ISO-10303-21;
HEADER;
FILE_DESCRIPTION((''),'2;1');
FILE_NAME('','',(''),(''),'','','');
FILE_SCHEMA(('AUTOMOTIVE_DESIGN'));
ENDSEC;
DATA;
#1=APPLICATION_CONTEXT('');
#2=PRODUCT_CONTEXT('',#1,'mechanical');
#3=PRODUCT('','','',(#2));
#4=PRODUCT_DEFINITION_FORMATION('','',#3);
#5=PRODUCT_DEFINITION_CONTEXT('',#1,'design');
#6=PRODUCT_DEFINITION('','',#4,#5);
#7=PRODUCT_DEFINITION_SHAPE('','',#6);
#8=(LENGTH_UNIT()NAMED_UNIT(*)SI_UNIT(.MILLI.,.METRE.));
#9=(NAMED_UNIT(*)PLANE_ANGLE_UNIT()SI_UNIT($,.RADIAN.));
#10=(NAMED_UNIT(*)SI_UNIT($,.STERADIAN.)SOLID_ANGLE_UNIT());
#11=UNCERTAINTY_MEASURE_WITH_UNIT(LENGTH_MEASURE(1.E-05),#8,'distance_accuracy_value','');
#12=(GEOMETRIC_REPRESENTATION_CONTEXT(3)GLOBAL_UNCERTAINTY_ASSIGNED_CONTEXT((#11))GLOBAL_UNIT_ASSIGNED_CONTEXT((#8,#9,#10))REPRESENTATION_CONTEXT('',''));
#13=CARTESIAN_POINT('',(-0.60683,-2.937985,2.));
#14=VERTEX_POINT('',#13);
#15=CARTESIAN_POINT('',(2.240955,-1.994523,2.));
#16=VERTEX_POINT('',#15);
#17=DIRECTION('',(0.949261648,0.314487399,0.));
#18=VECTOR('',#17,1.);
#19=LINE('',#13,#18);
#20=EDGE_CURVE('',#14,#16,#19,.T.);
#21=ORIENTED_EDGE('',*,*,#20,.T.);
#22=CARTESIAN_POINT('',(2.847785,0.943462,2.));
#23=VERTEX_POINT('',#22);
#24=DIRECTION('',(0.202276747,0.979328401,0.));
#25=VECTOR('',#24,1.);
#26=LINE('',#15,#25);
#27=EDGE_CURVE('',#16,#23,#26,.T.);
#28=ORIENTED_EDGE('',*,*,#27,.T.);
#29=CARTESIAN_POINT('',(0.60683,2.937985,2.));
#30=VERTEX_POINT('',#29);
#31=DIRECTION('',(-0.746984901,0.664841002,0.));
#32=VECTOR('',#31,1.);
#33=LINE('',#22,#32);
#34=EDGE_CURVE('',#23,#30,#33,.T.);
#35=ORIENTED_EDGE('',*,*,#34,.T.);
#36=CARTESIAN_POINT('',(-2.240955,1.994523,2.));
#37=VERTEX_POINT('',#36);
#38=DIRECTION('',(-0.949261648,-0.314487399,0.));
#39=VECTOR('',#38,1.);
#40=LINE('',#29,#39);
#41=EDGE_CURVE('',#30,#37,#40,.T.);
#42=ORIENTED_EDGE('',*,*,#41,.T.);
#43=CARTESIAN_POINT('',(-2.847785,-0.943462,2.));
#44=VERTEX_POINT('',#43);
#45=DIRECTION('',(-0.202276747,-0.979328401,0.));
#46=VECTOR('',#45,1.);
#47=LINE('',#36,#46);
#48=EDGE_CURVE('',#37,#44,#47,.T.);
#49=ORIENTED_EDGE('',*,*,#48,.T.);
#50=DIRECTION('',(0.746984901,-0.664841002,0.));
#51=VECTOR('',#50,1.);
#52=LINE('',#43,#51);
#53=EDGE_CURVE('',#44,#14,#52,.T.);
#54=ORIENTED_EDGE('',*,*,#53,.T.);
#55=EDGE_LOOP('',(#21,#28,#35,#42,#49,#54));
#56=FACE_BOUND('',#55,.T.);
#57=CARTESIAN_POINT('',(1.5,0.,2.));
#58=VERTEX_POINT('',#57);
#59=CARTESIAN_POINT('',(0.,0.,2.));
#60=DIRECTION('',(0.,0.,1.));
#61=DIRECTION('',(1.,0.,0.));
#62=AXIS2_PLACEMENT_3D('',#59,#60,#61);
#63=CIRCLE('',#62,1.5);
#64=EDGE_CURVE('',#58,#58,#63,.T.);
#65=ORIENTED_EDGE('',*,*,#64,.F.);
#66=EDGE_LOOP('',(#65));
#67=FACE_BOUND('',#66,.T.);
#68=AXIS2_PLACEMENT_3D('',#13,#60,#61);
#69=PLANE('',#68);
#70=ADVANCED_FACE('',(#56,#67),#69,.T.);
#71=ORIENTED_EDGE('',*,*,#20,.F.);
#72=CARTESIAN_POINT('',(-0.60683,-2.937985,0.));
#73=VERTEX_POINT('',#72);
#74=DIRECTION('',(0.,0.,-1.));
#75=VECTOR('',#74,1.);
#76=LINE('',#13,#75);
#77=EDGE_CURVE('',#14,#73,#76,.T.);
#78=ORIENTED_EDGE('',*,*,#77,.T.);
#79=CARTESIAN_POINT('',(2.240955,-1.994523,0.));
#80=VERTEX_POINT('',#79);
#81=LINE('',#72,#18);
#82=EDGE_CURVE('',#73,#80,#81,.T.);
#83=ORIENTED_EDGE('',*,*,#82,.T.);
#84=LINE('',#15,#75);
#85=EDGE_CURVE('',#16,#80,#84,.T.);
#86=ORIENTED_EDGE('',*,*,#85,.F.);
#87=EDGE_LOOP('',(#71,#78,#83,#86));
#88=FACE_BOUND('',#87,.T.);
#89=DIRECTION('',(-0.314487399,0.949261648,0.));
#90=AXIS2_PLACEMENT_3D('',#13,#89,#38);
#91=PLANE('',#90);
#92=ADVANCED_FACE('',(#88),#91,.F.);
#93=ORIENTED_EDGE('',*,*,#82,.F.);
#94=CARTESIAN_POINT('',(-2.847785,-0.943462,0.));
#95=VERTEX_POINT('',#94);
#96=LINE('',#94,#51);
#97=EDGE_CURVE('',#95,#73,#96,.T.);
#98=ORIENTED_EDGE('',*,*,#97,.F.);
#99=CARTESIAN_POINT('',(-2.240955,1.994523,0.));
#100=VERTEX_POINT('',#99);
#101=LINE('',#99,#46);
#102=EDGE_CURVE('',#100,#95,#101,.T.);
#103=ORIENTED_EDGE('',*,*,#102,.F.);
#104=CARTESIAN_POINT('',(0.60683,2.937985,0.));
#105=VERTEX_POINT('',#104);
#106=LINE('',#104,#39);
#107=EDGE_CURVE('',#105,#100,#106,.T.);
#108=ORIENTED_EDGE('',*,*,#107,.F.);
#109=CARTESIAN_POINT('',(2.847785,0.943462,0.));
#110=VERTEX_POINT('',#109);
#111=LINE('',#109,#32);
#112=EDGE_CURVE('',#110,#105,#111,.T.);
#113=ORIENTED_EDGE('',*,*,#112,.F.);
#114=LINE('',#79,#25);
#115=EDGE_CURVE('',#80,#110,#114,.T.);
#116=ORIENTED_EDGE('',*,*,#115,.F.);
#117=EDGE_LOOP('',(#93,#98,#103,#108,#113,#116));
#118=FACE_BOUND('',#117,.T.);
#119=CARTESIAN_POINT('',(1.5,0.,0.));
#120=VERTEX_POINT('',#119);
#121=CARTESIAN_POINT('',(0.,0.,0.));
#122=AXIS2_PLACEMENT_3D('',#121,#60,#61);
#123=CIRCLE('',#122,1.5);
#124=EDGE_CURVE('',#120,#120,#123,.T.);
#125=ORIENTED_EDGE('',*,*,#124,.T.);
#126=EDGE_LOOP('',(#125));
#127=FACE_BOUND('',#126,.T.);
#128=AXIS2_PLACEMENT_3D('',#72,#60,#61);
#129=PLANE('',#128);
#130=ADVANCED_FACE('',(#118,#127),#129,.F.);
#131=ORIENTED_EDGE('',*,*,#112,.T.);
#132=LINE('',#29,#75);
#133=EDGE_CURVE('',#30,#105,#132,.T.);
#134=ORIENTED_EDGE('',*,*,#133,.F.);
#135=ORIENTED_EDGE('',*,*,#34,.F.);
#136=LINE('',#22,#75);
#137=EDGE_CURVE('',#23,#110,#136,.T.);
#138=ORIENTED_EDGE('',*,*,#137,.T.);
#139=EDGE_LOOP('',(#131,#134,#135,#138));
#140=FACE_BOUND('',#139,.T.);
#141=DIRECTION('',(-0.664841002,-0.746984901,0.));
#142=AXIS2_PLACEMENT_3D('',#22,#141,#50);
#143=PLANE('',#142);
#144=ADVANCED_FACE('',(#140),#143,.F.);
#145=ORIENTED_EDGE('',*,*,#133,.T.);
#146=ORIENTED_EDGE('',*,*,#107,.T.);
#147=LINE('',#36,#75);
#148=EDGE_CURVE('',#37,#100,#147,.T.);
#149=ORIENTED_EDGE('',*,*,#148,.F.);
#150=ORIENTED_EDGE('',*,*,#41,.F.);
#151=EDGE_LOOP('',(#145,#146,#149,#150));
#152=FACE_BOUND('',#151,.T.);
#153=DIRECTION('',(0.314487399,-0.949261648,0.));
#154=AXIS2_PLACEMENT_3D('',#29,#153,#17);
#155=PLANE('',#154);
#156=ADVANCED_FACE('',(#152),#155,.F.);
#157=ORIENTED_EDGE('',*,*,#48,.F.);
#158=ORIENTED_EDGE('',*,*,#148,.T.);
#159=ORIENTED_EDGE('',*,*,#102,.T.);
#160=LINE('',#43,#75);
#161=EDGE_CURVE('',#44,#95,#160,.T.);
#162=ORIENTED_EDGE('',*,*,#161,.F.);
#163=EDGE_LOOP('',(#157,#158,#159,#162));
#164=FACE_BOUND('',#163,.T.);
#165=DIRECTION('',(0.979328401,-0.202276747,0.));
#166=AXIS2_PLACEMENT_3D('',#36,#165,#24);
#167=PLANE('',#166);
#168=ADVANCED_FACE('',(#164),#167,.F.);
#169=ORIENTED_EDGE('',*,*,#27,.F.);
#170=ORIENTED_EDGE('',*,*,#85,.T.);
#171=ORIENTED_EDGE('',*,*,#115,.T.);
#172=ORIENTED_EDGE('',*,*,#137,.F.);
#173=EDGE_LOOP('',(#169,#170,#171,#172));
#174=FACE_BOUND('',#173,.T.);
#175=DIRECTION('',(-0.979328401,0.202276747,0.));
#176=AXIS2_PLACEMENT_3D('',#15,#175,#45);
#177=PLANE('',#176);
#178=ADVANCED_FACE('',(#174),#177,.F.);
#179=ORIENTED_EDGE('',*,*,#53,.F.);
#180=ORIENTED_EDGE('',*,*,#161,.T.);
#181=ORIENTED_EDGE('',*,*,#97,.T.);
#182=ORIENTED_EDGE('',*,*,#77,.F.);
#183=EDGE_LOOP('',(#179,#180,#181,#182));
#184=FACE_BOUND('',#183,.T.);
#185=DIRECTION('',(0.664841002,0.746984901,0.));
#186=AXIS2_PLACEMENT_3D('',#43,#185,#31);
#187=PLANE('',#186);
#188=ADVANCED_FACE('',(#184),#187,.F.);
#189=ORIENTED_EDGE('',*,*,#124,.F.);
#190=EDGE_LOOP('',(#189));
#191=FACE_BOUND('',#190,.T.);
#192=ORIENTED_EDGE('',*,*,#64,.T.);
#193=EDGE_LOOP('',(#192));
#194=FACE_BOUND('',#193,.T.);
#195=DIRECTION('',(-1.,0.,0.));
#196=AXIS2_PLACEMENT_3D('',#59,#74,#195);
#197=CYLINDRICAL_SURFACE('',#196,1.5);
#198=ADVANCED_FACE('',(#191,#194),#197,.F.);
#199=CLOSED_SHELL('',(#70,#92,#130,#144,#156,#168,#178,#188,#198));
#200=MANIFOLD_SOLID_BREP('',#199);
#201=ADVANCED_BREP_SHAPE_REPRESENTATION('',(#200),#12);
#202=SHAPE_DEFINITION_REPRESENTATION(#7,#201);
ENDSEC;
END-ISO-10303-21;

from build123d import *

# Parameters (mm, degrees)
SKETCH1_R      = 1.5
EXTRUDE2_DEPTH = 2


with BuildPart() as part:
    # Sketch1 → Extrude2 (new body)
    with BuildSketch(Plane.XY):
        Polygon((-0.606830241, -2.937985204), (2.240954702, -1.994523006), (2.847784943, 0.943462198), (0.606830241, 2.937985204), (-2.240954702, 1.994523006), (-2.847784943, -0.943462198), align=None)
        Circle(SKETCH1_R, mode=Mode.SUBTRACT)
    extrude(amount=EXTRUDE2_DEPTH)


solid = part.part
